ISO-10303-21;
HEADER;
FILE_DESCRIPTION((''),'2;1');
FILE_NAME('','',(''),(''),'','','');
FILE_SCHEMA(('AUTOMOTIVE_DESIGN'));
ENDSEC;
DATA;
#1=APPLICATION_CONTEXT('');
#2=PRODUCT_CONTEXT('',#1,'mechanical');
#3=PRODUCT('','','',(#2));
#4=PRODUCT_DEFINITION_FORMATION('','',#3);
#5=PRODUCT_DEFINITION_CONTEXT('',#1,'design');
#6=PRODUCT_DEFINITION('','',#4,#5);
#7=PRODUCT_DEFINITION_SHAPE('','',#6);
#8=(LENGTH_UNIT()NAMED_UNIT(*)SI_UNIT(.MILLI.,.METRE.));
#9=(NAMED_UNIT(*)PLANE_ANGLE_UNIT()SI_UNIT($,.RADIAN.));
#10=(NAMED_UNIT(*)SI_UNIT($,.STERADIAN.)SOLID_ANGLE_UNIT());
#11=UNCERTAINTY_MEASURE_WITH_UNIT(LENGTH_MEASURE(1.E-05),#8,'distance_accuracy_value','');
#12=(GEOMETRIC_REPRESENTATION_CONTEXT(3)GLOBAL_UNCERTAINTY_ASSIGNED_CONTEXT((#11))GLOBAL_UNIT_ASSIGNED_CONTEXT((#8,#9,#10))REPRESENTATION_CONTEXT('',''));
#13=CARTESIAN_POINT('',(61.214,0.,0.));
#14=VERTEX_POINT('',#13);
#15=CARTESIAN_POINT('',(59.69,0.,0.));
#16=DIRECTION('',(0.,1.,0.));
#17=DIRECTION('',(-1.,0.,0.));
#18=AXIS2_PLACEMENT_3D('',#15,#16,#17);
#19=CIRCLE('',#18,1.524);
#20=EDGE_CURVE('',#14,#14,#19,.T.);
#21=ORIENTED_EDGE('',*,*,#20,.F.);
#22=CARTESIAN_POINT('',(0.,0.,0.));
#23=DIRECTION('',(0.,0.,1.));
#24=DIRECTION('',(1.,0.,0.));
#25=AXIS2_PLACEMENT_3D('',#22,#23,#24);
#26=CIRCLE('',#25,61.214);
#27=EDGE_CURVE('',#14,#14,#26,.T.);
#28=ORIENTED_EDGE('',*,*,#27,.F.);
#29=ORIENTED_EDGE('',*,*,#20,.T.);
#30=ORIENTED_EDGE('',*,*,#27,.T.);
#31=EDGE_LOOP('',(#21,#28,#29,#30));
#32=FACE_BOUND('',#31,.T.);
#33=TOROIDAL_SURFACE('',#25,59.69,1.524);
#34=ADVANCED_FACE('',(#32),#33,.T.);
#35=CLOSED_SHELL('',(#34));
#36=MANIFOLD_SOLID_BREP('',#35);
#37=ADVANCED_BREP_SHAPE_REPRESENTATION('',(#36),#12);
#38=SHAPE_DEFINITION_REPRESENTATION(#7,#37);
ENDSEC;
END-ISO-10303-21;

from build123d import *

# Parameters (mm, degrees)
SWEEP1_PROFILE_R = 1.524


with BuildPart() as part:
    # Sweep1: sweep along a path in Sketch1
    with BuildLine(Plane.XY) as sweep1_path:
        CenterArc((0, 0), 59.69, 0, 360)
    # Sweep1 profile (on start of the path) → Sweep1 (sweep)
    with BuildSketch(Plane(origin=(59.69, 0, 0), x_dir=(0, 0, 1), z_dir=(0, 1, 0))):
        Circle(SWEEP1_PROFILE_R)
    sweep(path=sweep1_path.line)


solid = part.part
